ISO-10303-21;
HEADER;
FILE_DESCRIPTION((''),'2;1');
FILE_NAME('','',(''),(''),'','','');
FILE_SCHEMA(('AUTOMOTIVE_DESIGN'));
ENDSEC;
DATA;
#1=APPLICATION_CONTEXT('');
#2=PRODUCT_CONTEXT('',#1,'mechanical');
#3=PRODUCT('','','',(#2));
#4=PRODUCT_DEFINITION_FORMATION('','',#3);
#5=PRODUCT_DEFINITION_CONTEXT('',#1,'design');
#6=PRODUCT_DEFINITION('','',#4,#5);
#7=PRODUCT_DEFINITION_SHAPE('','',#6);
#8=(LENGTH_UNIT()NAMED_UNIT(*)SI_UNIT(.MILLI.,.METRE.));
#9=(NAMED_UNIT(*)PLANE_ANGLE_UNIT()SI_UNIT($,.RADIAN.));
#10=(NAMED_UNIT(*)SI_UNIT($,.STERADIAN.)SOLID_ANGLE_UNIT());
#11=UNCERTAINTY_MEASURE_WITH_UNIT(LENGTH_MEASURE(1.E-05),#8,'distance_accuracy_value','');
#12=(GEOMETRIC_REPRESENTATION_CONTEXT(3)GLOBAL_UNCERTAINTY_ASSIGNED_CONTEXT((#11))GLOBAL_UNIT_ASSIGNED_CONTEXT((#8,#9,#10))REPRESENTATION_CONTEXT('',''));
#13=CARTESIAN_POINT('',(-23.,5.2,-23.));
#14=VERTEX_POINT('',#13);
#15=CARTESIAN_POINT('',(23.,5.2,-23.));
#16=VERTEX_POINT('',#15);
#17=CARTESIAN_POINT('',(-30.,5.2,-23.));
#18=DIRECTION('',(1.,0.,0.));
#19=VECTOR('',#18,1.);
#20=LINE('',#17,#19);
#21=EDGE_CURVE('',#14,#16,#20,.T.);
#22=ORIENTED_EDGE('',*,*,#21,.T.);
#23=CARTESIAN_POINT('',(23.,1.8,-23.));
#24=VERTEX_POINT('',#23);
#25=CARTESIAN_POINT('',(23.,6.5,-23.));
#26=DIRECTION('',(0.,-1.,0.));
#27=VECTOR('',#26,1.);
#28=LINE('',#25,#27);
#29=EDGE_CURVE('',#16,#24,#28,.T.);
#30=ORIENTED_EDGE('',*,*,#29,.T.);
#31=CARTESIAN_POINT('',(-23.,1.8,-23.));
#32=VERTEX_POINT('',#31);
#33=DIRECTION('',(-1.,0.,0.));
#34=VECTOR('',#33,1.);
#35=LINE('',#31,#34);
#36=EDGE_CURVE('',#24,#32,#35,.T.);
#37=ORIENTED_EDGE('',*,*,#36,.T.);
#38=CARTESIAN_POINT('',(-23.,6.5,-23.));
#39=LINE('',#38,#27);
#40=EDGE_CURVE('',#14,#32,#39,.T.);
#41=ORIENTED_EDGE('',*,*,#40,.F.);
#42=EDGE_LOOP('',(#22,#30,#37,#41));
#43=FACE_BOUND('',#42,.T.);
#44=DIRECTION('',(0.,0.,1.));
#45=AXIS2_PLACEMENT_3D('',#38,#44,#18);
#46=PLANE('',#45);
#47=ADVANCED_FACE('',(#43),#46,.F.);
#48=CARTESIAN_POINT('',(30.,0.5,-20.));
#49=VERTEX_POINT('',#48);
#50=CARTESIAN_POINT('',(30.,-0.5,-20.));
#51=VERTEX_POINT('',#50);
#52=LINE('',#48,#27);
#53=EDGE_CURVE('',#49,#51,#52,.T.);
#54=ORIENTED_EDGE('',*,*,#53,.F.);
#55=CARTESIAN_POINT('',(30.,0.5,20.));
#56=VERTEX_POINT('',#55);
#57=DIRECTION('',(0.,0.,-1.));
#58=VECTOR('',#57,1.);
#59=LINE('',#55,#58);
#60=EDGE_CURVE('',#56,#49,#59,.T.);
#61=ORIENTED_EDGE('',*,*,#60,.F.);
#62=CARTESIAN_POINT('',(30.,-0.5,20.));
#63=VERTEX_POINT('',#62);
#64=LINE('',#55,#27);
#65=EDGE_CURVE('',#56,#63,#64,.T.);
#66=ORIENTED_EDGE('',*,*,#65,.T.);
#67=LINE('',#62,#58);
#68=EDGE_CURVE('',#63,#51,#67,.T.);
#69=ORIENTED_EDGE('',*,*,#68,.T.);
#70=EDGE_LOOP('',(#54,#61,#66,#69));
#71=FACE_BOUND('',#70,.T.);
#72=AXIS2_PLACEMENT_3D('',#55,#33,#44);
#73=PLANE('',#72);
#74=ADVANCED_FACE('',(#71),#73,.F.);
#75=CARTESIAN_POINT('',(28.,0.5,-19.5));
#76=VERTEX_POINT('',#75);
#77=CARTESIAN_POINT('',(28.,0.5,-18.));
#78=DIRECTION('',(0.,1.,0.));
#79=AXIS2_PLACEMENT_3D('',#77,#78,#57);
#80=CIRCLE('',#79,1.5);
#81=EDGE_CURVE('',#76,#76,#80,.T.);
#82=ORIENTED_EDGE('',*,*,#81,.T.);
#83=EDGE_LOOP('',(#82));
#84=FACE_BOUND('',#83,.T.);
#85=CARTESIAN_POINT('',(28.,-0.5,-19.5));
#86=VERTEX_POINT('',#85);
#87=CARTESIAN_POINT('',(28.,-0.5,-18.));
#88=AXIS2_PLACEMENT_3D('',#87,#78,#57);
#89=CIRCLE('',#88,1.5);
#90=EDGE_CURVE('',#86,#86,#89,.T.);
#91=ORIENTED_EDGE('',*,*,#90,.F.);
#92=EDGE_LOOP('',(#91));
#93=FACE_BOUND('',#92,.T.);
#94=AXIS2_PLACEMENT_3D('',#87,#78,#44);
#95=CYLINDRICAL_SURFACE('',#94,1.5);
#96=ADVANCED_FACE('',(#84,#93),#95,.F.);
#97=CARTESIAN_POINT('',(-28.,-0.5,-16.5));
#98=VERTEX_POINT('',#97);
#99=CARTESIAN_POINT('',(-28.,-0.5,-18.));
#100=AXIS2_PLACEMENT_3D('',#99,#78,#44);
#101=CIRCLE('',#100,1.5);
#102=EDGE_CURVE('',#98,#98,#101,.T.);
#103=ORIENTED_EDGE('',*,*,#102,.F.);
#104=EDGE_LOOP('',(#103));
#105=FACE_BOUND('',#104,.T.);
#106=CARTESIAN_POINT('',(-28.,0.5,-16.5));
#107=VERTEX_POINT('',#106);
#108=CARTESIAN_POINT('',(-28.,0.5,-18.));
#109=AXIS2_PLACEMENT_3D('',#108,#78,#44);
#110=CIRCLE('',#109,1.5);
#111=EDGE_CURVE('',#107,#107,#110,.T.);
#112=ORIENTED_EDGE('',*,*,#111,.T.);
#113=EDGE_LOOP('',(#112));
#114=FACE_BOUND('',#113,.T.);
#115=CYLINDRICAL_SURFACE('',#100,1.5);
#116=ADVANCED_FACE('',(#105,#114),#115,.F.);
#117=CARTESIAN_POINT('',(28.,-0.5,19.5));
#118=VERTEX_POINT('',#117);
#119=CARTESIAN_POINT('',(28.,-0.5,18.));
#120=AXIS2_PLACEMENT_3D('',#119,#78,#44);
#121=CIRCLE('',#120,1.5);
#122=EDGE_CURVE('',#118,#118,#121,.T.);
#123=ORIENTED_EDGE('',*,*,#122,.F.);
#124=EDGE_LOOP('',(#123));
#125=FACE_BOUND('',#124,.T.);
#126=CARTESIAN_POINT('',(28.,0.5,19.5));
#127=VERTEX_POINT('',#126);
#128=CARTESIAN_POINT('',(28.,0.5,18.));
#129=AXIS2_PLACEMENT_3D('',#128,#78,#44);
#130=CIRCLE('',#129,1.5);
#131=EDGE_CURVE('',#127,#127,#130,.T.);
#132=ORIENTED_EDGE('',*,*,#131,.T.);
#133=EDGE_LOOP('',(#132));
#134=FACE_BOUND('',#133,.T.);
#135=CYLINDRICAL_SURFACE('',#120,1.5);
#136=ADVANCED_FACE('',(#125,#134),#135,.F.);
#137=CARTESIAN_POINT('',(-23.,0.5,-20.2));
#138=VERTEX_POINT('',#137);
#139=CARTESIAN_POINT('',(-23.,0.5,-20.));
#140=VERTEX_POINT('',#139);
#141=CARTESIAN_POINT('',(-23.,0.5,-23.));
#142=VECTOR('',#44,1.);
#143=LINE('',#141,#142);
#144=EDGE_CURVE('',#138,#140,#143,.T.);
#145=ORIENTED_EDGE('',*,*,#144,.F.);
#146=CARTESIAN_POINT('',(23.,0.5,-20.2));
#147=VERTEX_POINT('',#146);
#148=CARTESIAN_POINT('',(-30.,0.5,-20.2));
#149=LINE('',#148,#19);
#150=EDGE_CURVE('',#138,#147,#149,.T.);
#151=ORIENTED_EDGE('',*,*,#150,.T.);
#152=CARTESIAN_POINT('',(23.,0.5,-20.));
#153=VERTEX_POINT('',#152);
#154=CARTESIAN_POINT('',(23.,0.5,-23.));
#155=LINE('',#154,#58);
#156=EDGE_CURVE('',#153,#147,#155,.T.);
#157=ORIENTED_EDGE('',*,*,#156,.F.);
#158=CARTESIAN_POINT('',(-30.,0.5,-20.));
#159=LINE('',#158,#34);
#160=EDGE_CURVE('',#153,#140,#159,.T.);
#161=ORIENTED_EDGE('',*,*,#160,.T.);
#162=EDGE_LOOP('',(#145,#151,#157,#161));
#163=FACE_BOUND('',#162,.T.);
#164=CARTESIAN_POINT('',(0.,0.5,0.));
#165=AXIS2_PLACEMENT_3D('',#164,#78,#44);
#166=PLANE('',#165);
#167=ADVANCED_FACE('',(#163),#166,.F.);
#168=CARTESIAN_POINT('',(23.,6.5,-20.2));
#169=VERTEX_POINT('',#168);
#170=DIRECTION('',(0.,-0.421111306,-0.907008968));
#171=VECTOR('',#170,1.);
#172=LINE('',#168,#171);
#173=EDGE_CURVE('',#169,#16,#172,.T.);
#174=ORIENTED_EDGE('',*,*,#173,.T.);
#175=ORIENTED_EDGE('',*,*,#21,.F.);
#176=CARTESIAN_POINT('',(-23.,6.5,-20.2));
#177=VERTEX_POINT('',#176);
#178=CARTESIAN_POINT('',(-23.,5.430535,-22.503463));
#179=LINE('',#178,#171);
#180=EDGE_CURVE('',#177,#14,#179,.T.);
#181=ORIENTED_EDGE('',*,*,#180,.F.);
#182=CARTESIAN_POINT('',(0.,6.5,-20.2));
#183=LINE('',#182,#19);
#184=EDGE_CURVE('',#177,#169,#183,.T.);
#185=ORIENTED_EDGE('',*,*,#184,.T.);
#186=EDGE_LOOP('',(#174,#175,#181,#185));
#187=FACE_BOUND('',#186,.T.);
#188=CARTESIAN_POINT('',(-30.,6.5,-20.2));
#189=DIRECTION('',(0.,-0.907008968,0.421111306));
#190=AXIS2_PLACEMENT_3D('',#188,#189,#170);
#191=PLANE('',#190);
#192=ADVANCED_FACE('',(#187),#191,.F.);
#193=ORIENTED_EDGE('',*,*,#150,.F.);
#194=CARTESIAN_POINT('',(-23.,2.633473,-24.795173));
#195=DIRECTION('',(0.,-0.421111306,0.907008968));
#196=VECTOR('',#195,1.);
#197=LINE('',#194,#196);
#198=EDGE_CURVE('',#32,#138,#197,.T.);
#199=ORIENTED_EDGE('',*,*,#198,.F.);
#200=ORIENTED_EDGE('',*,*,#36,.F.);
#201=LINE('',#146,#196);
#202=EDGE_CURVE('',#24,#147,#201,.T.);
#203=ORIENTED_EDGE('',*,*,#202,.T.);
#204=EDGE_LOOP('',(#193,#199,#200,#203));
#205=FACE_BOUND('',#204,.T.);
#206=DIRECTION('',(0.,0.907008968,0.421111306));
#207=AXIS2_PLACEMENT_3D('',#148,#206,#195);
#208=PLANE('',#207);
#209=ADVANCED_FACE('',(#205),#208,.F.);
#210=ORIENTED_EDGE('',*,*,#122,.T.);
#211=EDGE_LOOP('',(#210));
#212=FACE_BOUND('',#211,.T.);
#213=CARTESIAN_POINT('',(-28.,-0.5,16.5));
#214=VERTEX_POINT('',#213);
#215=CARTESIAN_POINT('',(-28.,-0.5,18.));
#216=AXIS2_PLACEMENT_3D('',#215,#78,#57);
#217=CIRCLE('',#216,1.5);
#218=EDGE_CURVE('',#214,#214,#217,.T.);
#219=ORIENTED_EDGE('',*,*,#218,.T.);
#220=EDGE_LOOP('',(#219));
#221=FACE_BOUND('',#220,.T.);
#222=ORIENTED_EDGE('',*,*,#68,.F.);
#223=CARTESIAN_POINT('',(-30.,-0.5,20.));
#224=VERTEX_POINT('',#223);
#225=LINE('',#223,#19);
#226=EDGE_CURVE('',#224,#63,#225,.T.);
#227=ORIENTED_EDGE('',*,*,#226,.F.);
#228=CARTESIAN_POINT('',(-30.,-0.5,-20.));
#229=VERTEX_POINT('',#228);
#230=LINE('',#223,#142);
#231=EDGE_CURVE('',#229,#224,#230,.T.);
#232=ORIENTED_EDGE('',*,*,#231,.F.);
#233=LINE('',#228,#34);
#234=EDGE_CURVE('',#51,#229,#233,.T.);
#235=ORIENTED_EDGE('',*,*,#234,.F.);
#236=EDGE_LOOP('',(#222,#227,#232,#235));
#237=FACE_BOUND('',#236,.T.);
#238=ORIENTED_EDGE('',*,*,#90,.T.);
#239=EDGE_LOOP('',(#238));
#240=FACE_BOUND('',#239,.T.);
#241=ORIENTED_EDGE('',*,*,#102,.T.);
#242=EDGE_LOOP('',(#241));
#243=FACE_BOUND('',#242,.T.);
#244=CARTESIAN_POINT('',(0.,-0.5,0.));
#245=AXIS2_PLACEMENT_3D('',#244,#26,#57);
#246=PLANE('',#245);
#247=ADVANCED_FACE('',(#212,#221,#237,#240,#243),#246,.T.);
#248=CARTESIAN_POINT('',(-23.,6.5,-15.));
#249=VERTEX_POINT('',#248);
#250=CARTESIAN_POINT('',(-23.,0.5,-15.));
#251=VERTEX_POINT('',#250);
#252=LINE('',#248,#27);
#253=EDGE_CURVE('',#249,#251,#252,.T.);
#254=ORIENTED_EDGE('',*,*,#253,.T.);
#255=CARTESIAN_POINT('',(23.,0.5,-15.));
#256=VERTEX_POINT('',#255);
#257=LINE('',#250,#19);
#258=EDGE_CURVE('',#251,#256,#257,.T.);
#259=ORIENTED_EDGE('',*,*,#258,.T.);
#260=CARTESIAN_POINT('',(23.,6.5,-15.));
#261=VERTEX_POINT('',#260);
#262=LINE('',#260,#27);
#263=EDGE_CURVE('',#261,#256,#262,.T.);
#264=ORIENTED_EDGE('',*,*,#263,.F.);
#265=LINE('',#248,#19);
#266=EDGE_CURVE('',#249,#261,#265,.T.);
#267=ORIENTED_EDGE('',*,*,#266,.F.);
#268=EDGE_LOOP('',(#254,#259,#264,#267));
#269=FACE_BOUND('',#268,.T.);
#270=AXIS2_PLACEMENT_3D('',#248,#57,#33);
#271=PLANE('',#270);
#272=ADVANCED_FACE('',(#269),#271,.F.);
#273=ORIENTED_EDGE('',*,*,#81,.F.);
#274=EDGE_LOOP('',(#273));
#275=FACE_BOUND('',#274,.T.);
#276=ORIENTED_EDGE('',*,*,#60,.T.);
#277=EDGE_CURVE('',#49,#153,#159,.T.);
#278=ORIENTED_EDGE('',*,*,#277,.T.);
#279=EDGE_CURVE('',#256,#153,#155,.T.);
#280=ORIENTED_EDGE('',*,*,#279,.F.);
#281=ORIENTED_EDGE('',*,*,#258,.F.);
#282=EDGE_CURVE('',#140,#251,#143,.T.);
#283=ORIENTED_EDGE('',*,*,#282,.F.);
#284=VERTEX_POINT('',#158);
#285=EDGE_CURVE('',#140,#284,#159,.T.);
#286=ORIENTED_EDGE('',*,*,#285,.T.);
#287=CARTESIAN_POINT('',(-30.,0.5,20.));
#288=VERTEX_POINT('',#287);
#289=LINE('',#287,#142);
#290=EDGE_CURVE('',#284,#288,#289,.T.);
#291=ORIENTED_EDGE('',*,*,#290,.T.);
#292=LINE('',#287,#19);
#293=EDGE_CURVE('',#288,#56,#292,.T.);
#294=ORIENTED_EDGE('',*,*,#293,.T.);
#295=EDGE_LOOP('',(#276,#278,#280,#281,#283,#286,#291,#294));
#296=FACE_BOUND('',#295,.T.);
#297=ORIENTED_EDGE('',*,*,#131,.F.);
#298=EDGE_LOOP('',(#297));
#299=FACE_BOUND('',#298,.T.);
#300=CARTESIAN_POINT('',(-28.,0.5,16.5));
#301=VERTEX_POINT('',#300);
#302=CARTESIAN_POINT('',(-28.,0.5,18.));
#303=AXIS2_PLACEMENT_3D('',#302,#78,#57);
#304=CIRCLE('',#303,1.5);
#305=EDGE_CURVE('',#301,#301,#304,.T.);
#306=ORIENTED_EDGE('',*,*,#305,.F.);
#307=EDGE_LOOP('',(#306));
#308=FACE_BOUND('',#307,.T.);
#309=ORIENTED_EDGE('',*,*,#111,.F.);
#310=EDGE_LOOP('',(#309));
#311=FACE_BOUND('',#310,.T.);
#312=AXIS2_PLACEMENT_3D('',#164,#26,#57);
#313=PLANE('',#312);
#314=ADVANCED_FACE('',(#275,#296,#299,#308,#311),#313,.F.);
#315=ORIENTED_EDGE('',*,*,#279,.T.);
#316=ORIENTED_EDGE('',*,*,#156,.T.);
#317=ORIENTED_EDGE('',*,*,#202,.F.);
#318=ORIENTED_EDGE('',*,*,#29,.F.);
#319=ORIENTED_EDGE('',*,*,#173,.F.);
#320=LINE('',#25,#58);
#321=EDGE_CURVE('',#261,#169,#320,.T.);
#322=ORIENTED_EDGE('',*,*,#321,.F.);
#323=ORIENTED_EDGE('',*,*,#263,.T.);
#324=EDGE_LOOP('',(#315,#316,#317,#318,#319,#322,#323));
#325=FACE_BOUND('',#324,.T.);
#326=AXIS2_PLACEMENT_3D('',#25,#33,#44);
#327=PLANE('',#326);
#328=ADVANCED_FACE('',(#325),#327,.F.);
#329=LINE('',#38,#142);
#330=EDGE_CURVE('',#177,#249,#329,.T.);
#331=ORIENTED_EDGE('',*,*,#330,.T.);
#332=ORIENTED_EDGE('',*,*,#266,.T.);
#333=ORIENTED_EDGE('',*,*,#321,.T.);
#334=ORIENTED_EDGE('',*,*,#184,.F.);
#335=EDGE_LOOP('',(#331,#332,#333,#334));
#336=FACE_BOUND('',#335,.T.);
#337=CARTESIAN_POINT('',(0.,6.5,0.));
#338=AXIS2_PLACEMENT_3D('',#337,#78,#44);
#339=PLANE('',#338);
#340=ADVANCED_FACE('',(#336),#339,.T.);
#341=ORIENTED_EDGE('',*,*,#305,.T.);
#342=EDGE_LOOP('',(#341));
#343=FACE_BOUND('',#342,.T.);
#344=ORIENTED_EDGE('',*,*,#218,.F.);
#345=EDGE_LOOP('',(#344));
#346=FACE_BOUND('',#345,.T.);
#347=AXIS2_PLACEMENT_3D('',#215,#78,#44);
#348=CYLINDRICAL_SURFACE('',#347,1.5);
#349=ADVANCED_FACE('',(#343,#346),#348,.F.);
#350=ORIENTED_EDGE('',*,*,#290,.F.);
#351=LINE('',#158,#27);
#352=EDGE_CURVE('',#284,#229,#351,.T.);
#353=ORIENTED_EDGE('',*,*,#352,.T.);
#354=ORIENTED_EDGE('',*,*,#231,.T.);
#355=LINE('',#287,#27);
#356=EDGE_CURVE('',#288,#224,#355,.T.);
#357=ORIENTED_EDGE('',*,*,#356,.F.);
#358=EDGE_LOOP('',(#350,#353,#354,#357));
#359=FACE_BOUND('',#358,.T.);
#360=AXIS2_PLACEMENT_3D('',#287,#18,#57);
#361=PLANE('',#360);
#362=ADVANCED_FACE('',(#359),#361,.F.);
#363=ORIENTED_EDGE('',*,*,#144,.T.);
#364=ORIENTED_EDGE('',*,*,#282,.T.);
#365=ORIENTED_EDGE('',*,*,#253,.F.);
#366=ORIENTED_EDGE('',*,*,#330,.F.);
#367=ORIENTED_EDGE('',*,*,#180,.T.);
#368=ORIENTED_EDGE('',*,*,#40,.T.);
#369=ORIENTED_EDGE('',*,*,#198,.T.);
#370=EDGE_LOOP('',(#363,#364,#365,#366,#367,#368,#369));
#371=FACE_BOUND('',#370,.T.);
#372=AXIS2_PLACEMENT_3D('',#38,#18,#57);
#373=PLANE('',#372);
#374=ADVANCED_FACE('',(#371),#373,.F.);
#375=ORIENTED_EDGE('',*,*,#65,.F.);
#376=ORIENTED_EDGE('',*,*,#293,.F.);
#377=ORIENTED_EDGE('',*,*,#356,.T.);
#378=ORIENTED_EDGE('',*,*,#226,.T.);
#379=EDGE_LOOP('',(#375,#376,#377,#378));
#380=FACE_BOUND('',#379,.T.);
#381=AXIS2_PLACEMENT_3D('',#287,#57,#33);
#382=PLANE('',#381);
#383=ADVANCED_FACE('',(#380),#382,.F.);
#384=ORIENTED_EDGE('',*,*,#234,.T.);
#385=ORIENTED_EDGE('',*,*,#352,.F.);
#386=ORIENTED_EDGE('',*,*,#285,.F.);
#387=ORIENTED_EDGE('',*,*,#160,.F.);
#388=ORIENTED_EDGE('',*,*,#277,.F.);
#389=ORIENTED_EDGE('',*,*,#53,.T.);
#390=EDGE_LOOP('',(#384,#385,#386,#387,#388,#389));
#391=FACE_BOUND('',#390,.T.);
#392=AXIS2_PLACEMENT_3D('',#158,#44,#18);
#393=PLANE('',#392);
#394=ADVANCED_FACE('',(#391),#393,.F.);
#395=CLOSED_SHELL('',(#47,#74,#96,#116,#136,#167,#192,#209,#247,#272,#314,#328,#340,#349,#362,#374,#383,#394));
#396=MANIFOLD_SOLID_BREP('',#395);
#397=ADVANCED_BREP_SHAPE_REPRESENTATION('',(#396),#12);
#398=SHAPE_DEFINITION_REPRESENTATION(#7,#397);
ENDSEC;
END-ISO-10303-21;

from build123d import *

# Parameters (mm, degrees)
SKETCH1_W           = 60
SKETCH1_H           = 40
BOSS_EXTRUDE1_DEPTH = 0.5
SKETCH2_R           = 1.5
CUT_EXTRUDE1_DEPTH  = 1
SKETCH3_W           = 46
SKETCH3_H           = 8
BOSS_EXTRUDE2_DEPTH = 6
CUT_EXTRUDE2_DEPTH  = 59.139917441


with BuildPart() as part:
    # Sketch1 → Boss-Extrude1 (new, symmetric)
    with BuildSketch(Plane(origin=(0, 0, 0), x_dir=(1, 0, 0), z_dir=(0, 1, 0))):
        Rectangle(SKETCH1_W, SKETCH1_H)
    extrude(amount=BOSS_EXTRUDE1_DEPTH, both=True)

    # Sketch2 → Cut-Extrude1 (cut)
    with BuildSketch(Plane(origin=(0, 0.5, 0), x_dir=(1, 0, 0), z_dir=(0, 1, 0))):
        with Locations(Location((-28, 18, 0), (0, 0, 270))):
            Circle(SKETCH2_R)
        with Locations(Location((28, 18, 0), (0, 0, 90))):
            Circle(SKETCH2_R)
        with Locations(Location((28, -18, 0), (0, 0, 270))):
            Circle(SKETCH2_R)
        with Locations(Location((-28, -18, 0), (0, 0, 90))):
            Circle(SKETCH2_R)
    extrude(amount=-CUT_EXTRUDE1_DEPTH, mode=Mode.SUBTRACT)

    # Sketch3 → Boss-Extrude2 (add)
    with BuildSketch(Plane(origin=(0, 0.5, 0), x_dir=(1, 0, 0), z_dir=(0, 1, 0))):
        with Locations((0, 19)):
            Rectangle(SKETCH3_W, SKETCH3_H)
    extrude(amount=BOSS_EXTRUDE2_DEPTH)

    # Sketch4 → Cut-Extrude2 (cut, through all)
    with BuildSketch(Plane(origin=(23, 0, 0), x_dir=(0, 0, -1), z_dir=(1, 0, 0))):
        Polygon((23, 5.2), (23, 6.5), (20.2, 6.5), align=None)
        Polygon((20.2, 0.5), (23, 1.8), (23, 0.5), align=None)
    extrude(amount=-CUT_EXTRUDE2_DEPTH, mode=Mode.SUBTRACT)


solid = part.part
